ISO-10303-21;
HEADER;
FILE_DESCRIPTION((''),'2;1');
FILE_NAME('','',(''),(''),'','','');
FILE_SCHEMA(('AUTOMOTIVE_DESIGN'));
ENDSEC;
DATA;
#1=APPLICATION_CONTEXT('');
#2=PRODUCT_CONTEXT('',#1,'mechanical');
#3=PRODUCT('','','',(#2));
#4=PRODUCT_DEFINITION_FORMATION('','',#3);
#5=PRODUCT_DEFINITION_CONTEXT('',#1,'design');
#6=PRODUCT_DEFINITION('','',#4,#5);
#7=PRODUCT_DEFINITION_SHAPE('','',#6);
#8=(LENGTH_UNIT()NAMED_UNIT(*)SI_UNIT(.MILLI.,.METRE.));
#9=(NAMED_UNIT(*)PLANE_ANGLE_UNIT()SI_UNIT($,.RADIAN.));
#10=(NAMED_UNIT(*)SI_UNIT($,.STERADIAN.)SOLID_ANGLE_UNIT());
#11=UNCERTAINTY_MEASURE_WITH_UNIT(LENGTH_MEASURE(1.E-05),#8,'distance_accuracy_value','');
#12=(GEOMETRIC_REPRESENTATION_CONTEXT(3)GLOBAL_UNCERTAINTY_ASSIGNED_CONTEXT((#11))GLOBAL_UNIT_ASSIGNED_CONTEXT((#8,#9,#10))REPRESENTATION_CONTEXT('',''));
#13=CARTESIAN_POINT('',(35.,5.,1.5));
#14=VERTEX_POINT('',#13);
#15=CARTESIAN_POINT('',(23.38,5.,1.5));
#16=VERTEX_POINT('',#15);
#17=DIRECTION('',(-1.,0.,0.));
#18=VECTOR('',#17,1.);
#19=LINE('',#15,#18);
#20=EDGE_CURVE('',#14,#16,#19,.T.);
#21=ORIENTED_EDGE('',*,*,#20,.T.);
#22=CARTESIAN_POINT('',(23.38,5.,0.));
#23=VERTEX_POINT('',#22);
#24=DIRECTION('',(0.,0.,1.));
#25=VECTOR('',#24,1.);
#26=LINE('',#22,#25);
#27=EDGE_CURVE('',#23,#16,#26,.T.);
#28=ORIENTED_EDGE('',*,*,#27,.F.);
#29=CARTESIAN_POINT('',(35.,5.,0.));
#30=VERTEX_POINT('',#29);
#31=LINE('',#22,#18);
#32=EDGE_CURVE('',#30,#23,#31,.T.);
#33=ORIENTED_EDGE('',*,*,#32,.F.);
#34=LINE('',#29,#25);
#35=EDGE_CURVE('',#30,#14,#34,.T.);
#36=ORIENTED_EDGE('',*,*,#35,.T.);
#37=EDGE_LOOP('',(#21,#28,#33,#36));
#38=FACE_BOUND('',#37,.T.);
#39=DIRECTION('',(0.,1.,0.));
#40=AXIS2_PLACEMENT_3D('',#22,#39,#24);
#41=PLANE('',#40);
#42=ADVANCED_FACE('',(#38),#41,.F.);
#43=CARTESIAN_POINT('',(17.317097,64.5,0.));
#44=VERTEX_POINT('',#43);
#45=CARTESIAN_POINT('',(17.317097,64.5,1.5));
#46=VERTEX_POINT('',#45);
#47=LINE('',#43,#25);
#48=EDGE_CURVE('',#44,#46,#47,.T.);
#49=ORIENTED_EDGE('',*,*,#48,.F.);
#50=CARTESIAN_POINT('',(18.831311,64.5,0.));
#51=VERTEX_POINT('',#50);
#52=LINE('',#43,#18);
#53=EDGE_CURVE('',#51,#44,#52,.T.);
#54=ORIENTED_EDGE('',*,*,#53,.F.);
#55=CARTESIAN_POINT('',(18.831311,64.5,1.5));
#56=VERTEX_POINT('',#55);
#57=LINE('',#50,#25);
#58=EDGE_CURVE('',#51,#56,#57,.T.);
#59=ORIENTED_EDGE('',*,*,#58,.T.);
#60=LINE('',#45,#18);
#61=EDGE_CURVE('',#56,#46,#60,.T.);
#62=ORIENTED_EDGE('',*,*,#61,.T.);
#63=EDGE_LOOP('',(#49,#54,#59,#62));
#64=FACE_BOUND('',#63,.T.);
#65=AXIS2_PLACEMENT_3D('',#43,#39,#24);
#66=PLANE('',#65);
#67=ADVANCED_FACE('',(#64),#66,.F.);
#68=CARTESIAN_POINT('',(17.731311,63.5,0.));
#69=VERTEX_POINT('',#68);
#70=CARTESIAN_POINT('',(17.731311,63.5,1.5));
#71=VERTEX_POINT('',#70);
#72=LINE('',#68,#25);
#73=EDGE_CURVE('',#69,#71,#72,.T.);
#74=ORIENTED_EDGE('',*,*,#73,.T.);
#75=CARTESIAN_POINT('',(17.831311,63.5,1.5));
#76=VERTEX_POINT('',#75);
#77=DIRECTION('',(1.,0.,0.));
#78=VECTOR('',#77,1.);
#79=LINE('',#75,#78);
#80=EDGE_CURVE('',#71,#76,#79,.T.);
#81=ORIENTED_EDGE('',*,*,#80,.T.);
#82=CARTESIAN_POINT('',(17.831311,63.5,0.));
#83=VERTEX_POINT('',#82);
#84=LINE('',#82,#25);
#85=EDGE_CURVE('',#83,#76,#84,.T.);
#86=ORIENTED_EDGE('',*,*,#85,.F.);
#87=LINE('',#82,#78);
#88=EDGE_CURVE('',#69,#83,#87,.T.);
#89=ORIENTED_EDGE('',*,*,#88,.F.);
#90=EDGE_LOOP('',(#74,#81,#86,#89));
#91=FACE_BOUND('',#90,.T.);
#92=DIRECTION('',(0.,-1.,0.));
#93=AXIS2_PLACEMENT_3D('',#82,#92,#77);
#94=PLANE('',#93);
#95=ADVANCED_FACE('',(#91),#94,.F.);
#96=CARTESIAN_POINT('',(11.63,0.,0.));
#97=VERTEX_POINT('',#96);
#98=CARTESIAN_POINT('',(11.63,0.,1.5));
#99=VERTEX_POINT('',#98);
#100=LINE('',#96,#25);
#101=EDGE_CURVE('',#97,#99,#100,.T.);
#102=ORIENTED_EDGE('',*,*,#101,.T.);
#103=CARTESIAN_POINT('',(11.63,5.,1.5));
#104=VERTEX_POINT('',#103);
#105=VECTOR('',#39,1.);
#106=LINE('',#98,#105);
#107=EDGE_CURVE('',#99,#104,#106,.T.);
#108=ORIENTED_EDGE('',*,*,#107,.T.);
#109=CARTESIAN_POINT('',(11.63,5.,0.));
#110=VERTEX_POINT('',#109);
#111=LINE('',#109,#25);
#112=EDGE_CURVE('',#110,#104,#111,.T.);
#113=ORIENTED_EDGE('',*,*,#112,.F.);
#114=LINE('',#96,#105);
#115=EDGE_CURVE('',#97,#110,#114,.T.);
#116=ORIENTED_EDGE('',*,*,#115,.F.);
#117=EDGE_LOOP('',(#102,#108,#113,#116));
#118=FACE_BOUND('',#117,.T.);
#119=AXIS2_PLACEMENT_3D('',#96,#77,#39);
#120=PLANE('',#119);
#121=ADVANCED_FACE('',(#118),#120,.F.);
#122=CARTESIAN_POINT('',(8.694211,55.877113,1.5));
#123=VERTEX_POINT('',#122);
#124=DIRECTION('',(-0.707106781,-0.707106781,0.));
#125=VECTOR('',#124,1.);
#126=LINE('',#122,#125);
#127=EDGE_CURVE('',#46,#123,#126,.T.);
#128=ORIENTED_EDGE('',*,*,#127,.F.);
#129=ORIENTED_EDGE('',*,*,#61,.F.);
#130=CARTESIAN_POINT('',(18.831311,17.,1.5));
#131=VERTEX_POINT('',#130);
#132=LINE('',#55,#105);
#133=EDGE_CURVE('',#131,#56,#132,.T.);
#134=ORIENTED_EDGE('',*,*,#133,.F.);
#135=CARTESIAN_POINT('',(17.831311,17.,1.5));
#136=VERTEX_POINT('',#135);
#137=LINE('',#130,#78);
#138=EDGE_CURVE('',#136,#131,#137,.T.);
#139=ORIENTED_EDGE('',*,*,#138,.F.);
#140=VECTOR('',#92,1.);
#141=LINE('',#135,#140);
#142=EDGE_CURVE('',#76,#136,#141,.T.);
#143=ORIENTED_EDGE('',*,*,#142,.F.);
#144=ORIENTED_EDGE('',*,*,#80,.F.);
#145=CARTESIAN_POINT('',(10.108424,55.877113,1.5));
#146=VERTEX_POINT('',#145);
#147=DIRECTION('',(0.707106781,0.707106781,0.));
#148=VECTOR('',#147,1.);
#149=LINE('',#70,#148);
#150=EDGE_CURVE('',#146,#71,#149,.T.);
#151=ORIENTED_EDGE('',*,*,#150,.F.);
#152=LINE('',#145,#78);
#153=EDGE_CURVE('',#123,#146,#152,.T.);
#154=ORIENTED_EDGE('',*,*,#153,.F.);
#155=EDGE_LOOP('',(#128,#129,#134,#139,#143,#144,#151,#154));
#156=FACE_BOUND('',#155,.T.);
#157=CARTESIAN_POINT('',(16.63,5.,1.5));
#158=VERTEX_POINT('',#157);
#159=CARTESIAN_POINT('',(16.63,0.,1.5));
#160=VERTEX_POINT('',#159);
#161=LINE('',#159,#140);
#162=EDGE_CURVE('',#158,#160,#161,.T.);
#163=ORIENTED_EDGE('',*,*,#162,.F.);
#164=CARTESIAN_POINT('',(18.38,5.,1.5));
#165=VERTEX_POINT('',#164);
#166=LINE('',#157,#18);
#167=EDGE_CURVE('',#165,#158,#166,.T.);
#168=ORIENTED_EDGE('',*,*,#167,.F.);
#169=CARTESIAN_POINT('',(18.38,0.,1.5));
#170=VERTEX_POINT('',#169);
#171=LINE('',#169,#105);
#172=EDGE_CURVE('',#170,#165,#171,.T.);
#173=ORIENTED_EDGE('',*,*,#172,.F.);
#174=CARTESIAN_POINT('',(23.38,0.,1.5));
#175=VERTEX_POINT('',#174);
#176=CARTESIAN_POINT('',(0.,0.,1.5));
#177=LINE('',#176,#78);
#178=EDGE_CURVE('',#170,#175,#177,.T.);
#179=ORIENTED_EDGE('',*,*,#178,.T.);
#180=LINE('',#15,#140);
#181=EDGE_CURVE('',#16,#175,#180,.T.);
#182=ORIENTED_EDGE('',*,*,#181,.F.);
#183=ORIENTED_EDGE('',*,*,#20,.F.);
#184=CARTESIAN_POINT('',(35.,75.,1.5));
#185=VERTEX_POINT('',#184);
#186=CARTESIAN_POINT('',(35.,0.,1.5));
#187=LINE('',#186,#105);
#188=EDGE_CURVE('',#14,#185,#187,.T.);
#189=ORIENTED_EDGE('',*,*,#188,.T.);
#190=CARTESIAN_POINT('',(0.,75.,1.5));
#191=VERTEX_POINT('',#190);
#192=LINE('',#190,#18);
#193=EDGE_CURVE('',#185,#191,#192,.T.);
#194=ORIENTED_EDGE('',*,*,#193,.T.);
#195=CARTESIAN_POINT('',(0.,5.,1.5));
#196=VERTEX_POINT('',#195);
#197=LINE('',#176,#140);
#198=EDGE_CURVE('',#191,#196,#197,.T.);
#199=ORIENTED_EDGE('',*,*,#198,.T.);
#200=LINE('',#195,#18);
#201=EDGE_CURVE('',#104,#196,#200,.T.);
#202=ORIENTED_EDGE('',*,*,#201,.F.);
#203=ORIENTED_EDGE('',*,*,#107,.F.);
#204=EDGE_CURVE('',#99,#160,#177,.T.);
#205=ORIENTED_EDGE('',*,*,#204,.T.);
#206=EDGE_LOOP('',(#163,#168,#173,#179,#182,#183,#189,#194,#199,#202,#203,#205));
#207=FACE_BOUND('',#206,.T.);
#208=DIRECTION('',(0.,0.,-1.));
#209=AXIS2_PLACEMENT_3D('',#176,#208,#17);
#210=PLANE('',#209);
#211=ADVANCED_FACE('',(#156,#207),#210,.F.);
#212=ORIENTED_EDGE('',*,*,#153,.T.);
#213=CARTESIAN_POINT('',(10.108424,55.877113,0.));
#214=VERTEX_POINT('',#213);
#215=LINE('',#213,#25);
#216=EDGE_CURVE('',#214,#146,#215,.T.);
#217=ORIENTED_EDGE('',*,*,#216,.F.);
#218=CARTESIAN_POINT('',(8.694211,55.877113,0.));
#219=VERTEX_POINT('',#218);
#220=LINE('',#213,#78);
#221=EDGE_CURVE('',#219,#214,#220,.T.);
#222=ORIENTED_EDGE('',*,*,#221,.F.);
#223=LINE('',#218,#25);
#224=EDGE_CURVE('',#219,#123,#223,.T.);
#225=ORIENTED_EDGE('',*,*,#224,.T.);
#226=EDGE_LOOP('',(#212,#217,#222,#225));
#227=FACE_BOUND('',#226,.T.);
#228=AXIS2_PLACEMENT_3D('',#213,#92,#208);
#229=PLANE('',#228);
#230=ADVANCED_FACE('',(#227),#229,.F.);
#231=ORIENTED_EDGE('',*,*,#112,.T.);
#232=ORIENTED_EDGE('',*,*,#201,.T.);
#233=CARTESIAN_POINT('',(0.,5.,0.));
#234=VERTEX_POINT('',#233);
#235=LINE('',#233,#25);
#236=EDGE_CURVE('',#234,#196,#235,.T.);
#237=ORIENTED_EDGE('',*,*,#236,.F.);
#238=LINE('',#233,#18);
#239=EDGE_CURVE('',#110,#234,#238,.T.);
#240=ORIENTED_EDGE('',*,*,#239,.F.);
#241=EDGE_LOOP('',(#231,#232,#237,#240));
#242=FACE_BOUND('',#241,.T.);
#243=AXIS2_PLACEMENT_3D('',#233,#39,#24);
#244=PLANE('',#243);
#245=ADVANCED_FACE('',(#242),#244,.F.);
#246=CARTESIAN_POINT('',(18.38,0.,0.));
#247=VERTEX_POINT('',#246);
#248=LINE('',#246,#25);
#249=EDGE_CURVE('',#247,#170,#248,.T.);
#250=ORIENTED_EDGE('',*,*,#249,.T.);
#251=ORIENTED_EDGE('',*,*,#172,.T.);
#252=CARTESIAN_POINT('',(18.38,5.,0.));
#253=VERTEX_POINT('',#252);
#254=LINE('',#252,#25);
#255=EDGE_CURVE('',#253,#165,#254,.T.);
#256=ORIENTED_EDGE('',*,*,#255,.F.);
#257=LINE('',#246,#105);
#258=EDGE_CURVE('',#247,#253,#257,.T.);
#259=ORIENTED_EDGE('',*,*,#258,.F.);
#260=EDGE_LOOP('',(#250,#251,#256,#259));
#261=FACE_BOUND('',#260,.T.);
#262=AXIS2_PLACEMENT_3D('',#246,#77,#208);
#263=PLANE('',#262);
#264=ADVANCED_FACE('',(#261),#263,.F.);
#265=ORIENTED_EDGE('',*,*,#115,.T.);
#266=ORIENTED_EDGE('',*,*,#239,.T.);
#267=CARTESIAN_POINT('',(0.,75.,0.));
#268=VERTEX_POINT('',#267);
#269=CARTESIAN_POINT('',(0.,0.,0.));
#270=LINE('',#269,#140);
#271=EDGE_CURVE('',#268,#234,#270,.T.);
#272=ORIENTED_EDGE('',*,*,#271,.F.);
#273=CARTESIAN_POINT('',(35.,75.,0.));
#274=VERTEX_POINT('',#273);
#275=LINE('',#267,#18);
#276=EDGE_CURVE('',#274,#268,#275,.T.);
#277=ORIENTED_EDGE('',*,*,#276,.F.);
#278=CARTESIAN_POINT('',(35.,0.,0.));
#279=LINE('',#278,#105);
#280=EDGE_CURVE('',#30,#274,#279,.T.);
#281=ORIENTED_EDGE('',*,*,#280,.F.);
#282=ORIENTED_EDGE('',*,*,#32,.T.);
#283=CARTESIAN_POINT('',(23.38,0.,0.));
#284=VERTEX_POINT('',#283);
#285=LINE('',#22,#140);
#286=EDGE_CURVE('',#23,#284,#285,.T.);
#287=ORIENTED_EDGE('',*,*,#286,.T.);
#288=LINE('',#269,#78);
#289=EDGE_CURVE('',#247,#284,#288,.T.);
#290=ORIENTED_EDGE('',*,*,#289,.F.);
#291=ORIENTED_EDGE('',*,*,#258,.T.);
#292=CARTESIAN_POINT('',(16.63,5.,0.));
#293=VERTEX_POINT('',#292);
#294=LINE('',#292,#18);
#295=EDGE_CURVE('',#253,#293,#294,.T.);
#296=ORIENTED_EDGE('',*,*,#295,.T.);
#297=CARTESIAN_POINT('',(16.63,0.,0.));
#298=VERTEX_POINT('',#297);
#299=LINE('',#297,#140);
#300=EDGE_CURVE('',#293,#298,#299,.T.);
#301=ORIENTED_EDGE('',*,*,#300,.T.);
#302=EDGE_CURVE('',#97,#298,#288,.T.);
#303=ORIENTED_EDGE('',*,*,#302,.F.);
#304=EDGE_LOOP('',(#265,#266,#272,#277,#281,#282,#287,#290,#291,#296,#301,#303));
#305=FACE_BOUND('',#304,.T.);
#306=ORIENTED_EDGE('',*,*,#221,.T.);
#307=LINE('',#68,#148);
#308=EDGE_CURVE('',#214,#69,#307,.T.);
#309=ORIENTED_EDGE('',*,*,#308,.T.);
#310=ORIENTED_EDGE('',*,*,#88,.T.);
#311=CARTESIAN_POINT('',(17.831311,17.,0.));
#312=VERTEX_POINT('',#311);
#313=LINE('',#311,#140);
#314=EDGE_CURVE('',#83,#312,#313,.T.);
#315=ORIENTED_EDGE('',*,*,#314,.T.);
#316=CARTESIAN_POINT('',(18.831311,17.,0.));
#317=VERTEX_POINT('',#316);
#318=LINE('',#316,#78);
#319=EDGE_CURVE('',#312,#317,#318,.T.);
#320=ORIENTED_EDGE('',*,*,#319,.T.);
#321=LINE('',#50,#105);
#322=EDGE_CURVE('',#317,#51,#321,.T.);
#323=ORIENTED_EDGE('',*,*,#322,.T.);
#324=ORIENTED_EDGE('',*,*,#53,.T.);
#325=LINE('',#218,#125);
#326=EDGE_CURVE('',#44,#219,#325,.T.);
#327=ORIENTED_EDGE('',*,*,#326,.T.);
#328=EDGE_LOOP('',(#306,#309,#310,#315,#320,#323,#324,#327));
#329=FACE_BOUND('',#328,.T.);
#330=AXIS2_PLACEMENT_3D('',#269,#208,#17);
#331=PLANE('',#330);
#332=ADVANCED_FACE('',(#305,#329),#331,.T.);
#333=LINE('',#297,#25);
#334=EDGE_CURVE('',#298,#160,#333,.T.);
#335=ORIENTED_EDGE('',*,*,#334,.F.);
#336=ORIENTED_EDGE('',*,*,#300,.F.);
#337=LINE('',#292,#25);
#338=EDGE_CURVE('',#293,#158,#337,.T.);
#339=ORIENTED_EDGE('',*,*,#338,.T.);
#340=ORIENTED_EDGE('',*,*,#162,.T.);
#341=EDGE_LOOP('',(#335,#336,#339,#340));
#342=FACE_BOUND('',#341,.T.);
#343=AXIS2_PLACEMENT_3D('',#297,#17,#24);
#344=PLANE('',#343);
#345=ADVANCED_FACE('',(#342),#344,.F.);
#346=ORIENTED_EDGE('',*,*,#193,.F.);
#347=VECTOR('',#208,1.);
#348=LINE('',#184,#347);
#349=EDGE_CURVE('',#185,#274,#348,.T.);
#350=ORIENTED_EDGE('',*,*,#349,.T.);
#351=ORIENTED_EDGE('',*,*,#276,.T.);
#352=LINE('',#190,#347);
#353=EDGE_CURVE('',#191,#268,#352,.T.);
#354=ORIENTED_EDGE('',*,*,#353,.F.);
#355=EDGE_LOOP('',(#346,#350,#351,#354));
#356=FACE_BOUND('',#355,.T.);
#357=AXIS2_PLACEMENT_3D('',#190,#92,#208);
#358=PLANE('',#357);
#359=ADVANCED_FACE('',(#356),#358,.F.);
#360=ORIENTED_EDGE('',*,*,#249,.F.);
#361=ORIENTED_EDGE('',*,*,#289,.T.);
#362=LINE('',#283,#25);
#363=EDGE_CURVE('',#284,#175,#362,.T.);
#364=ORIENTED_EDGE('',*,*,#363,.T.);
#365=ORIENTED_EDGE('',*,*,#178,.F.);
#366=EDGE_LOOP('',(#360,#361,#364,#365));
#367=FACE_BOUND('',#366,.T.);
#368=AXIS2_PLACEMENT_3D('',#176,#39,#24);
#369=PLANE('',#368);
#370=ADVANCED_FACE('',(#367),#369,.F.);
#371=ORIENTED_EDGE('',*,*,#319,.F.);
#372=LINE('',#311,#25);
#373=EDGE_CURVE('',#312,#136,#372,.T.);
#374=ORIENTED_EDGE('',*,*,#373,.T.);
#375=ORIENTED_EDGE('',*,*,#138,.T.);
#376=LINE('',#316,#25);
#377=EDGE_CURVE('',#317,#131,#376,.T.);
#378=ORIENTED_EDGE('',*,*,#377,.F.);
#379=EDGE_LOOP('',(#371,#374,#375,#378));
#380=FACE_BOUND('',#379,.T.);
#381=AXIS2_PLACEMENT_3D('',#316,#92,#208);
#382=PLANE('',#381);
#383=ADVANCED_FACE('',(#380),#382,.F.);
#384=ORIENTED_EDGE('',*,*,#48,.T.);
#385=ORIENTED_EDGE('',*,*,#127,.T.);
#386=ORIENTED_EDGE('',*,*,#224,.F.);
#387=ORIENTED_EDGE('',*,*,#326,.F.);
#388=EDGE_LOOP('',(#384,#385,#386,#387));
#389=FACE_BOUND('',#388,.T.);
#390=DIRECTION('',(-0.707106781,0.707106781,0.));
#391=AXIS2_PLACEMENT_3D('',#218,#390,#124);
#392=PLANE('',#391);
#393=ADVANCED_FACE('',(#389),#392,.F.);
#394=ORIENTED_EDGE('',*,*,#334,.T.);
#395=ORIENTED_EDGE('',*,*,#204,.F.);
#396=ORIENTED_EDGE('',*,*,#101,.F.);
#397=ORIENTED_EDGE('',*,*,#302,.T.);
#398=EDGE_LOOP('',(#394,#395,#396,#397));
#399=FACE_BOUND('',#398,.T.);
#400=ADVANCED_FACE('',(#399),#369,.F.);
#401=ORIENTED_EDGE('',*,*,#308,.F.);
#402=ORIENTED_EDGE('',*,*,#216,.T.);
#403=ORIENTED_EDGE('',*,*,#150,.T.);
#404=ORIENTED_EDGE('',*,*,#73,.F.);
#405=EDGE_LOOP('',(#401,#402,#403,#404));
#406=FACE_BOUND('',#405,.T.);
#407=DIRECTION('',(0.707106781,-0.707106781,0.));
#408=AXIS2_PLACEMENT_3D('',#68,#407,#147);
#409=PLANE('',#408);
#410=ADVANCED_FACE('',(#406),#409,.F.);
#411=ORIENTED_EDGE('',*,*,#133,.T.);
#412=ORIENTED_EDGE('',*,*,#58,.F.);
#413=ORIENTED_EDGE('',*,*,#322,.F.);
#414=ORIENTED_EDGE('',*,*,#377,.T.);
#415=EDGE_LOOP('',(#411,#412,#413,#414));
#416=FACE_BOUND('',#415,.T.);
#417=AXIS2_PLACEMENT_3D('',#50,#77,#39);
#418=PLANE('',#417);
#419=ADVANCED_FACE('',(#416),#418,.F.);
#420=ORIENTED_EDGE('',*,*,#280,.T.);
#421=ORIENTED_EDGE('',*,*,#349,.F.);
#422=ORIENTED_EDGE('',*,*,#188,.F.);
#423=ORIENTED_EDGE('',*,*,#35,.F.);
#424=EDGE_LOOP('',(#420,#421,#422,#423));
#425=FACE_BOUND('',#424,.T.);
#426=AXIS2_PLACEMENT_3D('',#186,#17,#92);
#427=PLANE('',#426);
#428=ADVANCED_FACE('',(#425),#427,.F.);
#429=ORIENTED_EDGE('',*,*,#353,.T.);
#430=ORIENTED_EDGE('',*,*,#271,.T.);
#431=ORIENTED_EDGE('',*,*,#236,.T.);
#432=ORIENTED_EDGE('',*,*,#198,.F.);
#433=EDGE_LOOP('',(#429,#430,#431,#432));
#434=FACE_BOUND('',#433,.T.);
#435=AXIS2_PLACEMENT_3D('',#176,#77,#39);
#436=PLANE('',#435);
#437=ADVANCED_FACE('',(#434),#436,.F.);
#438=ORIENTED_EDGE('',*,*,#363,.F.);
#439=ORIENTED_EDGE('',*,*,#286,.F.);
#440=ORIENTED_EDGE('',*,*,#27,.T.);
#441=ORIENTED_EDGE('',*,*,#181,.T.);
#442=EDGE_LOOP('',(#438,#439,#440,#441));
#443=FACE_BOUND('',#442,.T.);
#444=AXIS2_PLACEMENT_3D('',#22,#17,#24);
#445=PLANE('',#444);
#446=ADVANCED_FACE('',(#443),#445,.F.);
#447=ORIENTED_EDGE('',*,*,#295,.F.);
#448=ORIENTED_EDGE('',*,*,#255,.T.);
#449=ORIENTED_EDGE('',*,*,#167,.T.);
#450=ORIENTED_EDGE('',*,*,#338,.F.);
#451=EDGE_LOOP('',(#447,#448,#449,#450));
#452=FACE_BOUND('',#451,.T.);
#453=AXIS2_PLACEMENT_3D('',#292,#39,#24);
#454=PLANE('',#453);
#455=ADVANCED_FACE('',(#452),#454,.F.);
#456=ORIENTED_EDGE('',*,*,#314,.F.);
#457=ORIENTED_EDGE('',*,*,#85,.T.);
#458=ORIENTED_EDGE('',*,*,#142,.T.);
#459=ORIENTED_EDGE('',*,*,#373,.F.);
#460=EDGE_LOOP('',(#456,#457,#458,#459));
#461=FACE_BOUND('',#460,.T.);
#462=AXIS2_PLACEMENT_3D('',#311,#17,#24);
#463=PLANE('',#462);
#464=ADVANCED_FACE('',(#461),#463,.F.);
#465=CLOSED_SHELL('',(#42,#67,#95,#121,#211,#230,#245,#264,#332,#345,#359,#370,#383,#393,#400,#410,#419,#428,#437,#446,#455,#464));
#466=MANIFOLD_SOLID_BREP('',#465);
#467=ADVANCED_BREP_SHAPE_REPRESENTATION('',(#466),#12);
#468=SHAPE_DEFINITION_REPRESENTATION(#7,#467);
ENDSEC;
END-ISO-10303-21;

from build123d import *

# Parameters (mm, degrees)
SKIZZE1_W                       = 35
SKIZZE1_H                       = 75
AUFSATZ_LINEAR_AUSTRAGEN1_DEPTH = 1.5
SKIZZE2_W                       = 11.63
SKIZZE2_H                       = 5
SKIZZE2_W_2                     = 11.62
SKIZZE2_W_3                     = 1.75
SCHNITT_LINEAR_AUSTRAGEN1_DEPTH = 1.5
SCHNITT_LINEAR_AUSTRAGEN3_DEPTH = 1.5


with BuildPart() as part:
    # Skizze1 → Aufsatz-Linear austragen1 (new body)
    with BuildSketch(Plane.XY):
        with Locations((17.5, 37.5)):
            Rectangle(SKIZZE1_W, SKIZZE1_H)
    extrude(amount=AUFSATZ_LINEAR_AUSTRAGEN1_DEPTH)

    # Skizze2 → Schnitt-Linear austragen1 (cut)
    with BuildSketch(Plane.XY.offset(1.5)):
        with Locations((5.815, 2.5)):
            Rectangle(SKIZZE2_W, SKIZZE2_H)
        with Locations((29.19, 2.5)):
            Rectangle(SKIZZE2_W_2, SKIZZE2_H)
        with Locations((17.505, 2.5)):
            Rectangle(SKIZZE2_W_3, SKIZZE2_H)
    extrude(amount=-SCHNITT_LINEAR_AUSTRAGEN1_DEPTH, mode=Mode.SUBTRACT)

    # Skizze6 → Schnitt-Linear austragen3 (cut)
    with BuildSketch(Plane.XY.offset(1.5)):
        Polygon((8.694210646, 55.87711337), (17.317097276, 64.5), (18.831310838, 64.5), (18.831310838, 17), (17.831310838, 17), (17.831310838, 63.5), (17.731310838, 63.5), (10.108424208, 55.87711337), align=None)
    extrude(amount=-SCHNITT_LINEAR_AUSTRAGEN3_DEPTH, mode=Mode.SUBTRACT)


solid = part.part
